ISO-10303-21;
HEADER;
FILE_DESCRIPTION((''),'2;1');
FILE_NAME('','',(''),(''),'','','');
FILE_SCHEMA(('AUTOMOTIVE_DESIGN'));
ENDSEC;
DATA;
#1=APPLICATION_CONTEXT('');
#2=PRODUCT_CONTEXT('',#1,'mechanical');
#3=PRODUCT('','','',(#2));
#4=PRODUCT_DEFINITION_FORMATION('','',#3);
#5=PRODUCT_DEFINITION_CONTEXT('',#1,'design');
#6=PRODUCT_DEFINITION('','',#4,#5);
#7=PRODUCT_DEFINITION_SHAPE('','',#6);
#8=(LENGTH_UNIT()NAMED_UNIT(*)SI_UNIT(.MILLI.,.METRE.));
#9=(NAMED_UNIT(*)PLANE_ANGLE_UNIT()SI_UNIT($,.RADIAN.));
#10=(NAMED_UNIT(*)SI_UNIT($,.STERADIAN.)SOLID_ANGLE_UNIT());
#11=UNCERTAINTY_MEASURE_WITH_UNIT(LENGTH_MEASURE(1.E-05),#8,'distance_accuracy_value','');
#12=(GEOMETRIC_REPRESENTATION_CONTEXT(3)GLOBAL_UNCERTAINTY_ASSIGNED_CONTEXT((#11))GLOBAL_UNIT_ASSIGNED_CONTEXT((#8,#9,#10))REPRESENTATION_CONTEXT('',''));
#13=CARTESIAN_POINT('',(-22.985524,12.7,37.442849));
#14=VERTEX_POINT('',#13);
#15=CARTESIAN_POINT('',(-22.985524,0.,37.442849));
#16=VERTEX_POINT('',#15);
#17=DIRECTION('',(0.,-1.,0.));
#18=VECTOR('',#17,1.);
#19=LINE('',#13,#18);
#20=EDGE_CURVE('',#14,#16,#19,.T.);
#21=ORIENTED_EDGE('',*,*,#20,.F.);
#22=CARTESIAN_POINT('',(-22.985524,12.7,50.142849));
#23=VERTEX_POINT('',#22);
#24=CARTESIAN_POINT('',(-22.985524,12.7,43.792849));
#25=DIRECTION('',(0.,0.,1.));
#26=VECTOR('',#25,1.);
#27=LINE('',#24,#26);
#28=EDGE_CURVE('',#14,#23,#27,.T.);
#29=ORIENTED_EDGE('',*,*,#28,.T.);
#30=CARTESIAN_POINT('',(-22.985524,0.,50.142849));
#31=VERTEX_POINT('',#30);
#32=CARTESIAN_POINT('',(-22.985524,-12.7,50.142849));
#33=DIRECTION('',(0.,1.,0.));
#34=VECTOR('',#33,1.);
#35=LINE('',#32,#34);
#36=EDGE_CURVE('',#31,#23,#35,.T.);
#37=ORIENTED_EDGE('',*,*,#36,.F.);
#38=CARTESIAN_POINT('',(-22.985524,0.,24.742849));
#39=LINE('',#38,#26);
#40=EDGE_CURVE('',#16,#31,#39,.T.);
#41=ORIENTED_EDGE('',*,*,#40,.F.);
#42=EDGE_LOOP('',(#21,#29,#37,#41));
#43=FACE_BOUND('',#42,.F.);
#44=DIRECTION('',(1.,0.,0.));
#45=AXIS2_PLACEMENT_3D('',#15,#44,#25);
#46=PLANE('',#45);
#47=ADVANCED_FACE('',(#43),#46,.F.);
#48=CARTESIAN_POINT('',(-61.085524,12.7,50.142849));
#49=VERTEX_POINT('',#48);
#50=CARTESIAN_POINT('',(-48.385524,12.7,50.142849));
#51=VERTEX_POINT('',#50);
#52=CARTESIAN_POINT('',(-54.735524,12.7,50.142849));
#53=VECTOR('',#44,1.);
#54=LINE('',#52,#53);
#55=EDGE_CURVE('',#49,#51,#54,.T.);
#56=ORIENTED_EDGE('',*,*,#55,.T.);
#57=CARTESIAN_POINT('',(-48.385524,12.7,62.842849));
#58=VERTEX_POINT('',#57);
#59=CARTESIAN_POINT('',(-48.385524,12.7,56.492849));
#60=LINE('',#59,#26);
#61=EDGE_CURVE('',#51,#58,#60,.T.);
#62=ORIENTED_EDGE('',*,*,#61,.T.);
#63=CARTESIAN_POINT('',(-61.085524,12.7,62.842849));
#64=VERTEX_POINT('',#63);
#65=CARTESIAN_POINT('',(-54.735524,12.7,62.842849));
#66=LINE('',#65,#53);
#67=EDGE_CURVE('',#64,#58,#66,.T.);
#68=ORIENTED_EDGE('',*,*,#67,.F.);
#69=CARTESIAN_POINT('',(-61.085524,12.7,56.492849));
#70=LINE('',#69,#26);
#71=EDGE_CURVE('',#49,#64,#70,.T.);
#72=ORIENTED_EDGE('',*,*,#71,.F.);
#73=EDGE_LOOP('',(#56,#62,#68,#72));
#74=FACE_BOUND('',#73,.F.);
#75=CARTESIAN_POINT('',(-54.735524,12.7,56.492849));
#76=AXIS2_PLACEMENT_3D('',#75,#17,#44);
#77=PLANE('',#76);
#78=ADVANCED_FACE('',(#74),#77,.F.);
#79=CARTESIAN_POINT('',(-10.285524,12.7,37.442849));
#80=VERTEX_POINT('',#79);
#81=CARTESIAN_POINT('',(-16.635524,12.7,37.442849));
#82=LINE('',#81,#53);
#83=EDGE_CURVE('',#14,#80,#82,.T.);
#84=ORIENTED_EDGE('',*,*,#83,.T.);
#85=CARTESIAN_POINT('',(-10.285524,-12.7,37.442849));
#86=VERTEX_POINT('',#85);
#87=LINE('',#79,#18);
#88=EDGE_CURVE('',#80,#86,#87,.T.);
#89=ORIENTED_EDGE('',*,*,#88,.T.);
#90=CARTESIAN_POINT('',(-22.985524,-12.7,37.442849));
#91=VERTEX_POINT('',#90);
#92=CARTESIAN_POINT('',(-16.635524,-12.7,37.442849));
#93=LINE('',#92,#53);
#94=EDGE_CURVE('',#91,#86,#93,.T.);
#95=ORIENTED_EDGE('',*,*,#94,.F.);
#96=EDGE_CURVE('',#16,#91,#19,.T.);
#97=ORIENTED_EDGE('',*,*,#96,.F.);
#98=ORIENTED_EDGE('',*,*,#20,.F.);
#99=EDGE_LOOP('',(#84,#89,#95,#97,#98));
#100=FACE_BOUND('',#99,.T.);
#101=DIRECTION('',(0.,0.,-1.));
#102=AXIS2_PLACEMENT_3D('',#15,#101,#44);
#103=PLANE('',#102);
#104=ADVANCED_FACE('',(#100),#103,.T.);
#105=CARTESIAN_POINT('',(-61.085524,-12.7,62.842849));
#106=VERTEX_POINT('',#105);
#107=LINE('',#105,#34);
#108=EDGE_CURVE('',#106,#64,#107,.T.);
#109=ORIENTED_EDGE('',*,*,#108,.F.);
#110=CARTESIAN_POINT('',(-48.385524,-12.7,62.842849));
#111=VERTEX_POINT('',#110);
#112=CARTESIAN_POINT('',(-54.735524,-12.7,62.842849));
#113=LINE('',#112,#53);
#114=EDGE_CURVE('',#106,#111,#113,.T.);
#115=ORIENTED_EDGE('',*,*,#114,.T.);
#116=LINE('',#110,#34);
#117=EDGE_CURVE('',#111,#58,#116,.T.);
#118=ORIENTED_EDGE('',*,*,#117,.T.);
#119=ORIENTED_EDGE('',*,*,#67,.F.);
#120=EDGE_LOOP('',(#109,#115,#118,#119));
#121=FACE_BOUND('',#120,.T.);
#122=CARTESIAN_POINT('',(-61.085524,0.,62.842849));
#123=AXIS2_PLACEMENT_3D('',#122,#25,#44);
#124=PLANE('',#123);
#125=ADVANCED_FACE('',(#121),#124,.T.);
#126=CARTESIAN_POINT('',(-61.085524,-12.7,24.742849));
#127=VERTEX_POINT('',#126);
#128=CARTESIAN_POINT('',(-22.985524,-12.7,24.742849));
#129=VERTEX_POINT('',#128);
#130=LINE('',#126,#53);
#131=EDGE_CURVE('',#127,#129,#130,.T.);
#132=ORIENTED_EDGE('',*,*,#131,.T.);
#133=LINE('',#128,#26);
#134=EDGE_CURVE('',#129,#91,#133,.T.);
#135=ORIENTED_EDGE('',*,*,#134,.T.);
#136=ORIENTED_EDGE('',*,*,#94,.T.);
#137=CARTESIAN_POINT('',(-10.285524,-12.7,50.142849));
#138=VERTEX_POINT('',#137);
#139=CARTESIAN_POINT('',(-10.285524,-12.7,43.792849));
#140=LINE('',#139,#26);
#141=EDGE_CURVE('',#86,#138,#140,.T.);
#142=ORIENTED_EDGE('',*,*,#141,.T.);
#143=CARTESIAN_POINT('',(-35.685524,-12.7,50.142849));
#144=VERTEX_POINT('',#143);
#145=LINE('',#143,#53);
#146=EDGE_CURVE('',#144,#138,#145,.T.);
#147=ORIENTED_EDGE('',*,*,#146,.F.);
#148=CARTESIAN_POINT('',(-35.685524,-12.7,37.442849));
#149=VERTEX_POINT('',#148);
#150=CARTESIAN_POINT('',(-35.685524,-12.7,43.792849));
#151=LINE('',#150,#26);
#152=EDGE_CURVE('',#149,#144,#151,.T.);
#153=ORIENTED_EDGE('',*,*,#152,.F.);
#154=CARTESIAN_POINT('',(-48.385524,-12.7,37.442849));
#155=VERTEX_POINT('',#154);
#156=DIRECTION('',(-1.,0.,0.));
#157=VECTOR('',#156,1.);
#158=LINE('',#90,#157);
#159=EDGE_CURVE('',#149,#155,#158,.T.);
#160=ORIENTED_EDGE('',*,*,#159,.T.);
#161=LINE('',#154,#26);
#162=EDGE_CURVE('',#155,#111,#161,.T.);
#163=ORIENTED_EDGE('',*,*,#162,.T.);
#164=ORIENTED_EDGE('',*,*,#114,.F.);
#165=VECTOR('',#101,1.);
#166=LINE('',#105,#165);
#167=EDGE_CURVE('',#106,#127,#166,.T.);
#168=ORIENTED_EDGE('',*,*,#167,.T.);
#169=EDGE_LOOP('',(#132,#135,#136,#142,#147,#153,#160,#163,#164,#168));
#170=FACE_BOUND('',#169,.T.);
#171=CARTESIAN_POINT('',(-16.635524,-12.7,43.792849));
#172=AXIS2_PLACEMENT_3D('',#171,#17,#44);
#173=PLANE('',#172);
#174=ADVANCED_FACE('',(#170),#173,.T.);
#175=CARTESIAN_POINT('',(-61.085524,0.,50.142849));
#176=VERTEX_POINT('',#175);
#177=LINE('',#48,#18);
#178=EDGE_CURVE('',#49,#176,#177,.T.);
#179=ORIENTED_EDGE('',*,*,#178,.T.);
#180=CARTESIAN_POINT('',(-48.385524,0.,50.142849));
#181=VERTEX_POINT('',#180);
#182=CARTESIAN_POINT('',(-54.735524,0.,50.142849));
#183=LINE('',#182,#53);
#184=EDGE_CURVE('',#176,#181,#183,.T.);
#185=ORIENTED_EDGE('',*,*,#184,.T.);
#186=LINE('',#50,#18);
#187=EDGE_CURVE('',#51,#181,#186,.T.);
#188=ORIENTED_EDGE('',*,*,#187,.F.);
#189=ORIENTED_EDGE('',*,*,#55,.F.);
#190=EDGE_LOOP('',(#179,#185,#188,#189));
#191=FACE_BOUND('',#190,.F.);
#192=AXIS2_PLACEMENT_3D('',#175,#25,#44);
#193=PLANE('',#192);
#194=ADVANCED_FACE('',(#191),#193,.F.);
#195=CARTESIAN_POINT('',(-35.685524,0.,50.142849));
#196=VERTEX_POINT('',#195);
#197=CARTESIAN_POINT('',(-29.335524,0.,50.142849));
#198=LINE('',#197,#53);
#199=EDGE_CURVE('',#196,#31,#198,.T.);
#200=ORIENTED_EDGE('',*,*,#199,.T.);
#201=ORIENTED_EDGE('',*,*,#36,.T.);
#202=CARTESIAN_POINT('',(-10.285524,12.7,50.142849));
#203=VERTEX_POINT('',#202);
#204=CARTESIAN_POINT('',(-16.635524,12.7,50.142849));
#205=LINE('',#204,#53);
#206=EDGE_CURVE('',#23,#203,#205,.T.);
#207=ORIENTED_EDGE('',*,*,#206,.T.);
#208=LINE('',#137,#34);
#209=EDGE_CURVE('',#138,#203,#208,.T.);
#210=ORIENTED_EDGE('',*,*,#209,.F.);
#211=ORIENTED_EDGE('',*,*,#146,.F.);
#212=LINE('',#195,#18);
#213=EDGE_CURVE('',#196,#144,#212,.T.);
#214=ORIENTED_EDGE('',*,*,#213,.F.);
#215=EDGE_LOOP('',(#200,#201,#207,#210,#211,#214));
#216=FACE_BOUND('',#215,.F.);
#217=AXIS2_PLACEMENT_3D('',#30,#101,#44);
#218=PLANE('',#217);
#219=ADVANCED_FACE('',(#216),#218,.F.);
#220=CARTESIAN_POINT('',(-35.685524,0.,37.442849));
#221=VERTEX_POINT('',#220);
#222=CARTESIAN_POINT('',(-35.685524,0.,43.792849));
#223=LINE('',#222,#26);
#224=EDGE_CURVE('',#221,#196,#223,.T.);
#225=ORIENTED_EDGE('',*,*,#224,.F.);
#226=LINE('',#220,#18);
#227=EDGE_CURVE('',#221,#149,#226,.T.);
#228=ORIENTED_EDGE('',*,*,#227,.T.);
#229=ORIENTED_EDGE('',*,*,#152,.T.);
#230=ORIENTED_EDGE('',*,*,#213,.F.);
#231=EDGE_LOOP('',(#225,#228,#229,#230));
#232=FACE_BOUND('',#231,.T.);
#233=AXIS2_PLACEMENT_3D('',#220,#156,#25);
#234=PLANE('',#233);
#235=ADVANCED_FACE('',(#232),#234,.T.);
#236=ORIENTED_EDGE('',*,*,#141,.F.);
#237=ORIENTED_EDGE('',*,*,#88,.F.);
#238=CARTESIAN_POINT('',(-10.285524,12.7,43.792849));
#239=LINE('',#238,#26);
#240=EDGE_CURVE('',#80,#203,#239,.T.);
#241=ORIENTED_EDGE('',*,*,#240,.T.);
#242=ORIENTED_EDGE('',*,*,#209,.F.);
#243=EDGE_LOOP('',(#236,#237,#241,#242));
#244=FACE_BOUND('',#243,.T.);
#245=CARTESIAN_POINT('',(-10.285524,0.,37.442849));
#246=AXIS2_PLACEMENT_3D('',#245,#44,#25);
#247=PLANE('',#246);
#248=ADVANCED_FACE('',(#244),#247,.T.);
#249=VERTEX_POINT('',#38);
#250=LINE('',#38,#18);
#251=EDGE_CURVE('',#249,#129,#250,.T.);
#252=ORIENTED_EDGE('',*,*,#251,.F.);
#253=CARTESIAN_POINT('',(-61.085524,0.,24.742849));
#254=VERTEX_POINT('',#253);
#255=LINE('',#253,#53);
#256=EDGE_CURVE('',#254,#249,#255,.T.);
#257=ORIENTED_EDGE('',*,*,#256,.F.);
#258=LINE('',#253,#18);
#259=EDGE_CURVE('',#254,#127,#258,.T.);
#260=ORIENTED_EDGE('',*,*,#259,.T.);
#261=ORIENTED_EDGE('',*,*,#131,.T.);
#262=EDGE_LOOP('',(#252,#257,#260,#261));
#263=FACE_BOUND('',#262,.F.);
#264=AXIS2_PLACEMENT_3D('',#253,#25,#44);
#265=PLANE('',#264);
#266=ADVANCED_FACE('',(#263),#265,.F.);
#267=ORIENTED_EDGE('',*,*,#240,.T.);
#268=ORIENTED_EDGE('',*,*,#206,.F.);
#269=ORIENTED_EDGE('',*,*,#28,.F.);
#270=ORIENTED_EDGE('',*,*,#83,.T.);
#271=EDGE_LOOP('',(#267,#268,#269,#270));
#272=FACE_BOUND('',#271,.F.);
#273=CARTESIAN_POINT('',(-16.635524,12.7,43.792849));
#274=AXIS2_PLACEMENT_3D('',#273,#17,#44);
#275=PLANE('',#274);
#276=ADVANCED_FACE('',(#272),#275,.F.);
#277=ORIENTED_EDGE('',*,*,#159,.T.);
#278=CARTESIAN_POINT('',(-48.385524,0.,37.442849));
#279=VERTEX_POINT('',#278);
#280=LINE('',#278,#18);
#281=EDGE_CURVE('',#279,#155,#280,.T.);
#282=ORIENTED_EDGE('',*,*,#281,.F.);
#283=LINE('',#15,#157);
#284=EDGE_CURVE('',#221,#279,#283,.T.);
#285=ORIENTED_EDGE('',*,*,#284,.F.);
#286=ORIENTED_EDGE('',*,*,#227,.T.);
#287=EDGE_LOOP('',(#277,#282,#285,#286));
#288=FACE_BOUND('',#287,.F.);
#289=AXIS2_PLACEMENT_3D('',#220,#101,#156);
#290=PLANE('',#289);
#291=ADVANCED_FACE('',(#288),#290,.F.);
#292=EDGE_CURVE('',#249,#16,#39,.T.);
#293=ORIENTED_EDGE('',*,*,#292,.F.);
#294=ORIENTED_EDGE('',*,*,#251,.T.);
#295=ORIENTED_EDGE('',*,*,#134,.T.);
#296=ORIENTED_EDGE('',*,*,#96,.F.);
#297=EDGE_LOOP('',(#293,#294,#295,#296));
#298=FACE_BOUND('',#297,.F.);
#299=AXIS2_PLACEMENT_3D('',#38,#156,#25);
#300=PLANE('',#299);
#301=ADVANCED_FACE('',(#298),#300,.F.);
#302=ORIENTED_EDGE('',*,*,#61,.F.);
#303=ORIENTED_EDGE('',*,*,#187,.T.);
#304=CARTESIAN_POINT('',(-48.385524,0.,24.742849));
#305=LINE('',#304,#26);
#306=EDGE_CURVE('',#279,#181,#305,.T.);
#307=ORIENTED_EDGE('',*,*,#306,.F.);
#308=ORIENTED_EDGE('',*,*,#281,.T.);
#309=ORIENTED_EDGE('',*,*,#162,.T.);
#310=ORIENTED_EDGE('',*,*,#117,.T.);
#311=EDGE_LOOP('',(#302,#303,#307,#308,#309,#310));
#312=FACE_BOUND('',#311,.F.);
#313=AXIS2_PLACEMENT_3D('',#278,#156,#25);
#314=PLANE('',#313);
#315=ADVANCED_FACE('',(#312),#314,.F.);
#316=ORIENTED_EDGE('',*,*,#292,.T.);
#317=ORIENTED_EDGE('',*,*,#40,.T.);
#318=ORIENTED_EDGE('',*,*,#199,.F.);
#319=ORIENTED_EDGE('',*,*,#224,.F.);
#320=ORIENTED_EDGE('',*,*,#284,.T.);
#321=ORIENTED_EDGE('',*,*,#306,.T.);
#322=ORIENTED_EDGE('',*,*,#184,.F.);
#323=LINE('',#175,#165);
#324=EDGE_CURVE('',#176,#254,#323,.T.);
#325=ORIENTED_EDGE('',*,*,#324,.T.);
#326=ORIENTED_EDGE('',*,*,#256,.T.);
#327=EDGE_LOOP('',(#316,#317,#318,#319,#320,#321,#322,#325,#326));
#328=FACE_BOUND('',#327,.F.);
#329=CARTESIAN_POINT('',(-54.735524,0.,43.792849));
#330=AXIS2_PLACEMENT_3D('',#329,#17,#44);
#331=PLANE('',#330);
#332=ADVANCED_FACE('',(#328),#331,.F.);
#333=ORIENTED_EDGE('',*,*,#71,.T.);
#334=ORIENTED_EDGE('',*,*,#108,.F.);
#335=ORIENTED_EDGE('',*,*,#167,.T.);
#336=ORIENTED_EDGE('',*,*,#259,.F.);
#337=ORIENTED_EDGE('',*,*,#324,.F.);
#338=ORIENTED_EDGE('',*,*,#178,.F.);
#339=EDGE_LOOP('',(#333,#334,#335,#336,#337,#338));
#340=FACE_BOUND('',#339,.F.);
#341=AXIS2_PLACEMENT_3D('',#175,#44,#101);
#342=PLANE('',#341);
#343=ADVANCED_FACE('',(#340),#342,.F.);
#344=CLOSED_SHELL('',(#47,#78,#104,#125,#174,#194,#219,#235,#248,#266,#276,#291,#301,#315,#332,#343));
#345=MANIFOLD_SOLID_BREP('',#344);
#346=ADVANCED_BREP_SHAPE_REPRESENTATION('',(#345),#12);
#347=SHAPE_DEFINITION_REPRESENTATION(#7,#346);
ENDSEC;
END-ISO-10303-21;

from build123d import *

# Parameters (mm, degrees)
F0_W     = 12.7
F0_H     = 12.7
F1_DEPTH = 12.7
F2_DEPTH = 12.7


with BuildPart() as f1:
    # F0 (on Front) → F1 (new body)
    with BuildSketch(Plane.XZ):
        with Locations((-54.735524, 43.792849)):
            Rectangle(F0_W, F0_H)
        with Locations((-54.735524, 31.092849)):
            Rectangle(F0_W, F0_H)
        with Locations((-29.335524, 31.092849)):
            Rectangle(F0_W, F0_H)
        with Locations((-42.035524, 31.092849)):
            Rectangle(F0_W, F0_H)
        with Locations((-29.335524, 43.792849)):
            Rectangle(F0_W, F0_H)
    extrude(amount=F1_DEPTH)

    # F0 (on Front) → F2 (join, symmetric)
    with BuildSketch(Plane.XZ):
        with Locations((-54.735524, 56.492849)):
            Rectangle(F0_W, F0_H)
        with Locations((-16.635524, 43.792849)):
            Rectangle(F0_W, F0_H)
    extrude(amount=F2_DEPTH, both=True)


solid = f1.part
